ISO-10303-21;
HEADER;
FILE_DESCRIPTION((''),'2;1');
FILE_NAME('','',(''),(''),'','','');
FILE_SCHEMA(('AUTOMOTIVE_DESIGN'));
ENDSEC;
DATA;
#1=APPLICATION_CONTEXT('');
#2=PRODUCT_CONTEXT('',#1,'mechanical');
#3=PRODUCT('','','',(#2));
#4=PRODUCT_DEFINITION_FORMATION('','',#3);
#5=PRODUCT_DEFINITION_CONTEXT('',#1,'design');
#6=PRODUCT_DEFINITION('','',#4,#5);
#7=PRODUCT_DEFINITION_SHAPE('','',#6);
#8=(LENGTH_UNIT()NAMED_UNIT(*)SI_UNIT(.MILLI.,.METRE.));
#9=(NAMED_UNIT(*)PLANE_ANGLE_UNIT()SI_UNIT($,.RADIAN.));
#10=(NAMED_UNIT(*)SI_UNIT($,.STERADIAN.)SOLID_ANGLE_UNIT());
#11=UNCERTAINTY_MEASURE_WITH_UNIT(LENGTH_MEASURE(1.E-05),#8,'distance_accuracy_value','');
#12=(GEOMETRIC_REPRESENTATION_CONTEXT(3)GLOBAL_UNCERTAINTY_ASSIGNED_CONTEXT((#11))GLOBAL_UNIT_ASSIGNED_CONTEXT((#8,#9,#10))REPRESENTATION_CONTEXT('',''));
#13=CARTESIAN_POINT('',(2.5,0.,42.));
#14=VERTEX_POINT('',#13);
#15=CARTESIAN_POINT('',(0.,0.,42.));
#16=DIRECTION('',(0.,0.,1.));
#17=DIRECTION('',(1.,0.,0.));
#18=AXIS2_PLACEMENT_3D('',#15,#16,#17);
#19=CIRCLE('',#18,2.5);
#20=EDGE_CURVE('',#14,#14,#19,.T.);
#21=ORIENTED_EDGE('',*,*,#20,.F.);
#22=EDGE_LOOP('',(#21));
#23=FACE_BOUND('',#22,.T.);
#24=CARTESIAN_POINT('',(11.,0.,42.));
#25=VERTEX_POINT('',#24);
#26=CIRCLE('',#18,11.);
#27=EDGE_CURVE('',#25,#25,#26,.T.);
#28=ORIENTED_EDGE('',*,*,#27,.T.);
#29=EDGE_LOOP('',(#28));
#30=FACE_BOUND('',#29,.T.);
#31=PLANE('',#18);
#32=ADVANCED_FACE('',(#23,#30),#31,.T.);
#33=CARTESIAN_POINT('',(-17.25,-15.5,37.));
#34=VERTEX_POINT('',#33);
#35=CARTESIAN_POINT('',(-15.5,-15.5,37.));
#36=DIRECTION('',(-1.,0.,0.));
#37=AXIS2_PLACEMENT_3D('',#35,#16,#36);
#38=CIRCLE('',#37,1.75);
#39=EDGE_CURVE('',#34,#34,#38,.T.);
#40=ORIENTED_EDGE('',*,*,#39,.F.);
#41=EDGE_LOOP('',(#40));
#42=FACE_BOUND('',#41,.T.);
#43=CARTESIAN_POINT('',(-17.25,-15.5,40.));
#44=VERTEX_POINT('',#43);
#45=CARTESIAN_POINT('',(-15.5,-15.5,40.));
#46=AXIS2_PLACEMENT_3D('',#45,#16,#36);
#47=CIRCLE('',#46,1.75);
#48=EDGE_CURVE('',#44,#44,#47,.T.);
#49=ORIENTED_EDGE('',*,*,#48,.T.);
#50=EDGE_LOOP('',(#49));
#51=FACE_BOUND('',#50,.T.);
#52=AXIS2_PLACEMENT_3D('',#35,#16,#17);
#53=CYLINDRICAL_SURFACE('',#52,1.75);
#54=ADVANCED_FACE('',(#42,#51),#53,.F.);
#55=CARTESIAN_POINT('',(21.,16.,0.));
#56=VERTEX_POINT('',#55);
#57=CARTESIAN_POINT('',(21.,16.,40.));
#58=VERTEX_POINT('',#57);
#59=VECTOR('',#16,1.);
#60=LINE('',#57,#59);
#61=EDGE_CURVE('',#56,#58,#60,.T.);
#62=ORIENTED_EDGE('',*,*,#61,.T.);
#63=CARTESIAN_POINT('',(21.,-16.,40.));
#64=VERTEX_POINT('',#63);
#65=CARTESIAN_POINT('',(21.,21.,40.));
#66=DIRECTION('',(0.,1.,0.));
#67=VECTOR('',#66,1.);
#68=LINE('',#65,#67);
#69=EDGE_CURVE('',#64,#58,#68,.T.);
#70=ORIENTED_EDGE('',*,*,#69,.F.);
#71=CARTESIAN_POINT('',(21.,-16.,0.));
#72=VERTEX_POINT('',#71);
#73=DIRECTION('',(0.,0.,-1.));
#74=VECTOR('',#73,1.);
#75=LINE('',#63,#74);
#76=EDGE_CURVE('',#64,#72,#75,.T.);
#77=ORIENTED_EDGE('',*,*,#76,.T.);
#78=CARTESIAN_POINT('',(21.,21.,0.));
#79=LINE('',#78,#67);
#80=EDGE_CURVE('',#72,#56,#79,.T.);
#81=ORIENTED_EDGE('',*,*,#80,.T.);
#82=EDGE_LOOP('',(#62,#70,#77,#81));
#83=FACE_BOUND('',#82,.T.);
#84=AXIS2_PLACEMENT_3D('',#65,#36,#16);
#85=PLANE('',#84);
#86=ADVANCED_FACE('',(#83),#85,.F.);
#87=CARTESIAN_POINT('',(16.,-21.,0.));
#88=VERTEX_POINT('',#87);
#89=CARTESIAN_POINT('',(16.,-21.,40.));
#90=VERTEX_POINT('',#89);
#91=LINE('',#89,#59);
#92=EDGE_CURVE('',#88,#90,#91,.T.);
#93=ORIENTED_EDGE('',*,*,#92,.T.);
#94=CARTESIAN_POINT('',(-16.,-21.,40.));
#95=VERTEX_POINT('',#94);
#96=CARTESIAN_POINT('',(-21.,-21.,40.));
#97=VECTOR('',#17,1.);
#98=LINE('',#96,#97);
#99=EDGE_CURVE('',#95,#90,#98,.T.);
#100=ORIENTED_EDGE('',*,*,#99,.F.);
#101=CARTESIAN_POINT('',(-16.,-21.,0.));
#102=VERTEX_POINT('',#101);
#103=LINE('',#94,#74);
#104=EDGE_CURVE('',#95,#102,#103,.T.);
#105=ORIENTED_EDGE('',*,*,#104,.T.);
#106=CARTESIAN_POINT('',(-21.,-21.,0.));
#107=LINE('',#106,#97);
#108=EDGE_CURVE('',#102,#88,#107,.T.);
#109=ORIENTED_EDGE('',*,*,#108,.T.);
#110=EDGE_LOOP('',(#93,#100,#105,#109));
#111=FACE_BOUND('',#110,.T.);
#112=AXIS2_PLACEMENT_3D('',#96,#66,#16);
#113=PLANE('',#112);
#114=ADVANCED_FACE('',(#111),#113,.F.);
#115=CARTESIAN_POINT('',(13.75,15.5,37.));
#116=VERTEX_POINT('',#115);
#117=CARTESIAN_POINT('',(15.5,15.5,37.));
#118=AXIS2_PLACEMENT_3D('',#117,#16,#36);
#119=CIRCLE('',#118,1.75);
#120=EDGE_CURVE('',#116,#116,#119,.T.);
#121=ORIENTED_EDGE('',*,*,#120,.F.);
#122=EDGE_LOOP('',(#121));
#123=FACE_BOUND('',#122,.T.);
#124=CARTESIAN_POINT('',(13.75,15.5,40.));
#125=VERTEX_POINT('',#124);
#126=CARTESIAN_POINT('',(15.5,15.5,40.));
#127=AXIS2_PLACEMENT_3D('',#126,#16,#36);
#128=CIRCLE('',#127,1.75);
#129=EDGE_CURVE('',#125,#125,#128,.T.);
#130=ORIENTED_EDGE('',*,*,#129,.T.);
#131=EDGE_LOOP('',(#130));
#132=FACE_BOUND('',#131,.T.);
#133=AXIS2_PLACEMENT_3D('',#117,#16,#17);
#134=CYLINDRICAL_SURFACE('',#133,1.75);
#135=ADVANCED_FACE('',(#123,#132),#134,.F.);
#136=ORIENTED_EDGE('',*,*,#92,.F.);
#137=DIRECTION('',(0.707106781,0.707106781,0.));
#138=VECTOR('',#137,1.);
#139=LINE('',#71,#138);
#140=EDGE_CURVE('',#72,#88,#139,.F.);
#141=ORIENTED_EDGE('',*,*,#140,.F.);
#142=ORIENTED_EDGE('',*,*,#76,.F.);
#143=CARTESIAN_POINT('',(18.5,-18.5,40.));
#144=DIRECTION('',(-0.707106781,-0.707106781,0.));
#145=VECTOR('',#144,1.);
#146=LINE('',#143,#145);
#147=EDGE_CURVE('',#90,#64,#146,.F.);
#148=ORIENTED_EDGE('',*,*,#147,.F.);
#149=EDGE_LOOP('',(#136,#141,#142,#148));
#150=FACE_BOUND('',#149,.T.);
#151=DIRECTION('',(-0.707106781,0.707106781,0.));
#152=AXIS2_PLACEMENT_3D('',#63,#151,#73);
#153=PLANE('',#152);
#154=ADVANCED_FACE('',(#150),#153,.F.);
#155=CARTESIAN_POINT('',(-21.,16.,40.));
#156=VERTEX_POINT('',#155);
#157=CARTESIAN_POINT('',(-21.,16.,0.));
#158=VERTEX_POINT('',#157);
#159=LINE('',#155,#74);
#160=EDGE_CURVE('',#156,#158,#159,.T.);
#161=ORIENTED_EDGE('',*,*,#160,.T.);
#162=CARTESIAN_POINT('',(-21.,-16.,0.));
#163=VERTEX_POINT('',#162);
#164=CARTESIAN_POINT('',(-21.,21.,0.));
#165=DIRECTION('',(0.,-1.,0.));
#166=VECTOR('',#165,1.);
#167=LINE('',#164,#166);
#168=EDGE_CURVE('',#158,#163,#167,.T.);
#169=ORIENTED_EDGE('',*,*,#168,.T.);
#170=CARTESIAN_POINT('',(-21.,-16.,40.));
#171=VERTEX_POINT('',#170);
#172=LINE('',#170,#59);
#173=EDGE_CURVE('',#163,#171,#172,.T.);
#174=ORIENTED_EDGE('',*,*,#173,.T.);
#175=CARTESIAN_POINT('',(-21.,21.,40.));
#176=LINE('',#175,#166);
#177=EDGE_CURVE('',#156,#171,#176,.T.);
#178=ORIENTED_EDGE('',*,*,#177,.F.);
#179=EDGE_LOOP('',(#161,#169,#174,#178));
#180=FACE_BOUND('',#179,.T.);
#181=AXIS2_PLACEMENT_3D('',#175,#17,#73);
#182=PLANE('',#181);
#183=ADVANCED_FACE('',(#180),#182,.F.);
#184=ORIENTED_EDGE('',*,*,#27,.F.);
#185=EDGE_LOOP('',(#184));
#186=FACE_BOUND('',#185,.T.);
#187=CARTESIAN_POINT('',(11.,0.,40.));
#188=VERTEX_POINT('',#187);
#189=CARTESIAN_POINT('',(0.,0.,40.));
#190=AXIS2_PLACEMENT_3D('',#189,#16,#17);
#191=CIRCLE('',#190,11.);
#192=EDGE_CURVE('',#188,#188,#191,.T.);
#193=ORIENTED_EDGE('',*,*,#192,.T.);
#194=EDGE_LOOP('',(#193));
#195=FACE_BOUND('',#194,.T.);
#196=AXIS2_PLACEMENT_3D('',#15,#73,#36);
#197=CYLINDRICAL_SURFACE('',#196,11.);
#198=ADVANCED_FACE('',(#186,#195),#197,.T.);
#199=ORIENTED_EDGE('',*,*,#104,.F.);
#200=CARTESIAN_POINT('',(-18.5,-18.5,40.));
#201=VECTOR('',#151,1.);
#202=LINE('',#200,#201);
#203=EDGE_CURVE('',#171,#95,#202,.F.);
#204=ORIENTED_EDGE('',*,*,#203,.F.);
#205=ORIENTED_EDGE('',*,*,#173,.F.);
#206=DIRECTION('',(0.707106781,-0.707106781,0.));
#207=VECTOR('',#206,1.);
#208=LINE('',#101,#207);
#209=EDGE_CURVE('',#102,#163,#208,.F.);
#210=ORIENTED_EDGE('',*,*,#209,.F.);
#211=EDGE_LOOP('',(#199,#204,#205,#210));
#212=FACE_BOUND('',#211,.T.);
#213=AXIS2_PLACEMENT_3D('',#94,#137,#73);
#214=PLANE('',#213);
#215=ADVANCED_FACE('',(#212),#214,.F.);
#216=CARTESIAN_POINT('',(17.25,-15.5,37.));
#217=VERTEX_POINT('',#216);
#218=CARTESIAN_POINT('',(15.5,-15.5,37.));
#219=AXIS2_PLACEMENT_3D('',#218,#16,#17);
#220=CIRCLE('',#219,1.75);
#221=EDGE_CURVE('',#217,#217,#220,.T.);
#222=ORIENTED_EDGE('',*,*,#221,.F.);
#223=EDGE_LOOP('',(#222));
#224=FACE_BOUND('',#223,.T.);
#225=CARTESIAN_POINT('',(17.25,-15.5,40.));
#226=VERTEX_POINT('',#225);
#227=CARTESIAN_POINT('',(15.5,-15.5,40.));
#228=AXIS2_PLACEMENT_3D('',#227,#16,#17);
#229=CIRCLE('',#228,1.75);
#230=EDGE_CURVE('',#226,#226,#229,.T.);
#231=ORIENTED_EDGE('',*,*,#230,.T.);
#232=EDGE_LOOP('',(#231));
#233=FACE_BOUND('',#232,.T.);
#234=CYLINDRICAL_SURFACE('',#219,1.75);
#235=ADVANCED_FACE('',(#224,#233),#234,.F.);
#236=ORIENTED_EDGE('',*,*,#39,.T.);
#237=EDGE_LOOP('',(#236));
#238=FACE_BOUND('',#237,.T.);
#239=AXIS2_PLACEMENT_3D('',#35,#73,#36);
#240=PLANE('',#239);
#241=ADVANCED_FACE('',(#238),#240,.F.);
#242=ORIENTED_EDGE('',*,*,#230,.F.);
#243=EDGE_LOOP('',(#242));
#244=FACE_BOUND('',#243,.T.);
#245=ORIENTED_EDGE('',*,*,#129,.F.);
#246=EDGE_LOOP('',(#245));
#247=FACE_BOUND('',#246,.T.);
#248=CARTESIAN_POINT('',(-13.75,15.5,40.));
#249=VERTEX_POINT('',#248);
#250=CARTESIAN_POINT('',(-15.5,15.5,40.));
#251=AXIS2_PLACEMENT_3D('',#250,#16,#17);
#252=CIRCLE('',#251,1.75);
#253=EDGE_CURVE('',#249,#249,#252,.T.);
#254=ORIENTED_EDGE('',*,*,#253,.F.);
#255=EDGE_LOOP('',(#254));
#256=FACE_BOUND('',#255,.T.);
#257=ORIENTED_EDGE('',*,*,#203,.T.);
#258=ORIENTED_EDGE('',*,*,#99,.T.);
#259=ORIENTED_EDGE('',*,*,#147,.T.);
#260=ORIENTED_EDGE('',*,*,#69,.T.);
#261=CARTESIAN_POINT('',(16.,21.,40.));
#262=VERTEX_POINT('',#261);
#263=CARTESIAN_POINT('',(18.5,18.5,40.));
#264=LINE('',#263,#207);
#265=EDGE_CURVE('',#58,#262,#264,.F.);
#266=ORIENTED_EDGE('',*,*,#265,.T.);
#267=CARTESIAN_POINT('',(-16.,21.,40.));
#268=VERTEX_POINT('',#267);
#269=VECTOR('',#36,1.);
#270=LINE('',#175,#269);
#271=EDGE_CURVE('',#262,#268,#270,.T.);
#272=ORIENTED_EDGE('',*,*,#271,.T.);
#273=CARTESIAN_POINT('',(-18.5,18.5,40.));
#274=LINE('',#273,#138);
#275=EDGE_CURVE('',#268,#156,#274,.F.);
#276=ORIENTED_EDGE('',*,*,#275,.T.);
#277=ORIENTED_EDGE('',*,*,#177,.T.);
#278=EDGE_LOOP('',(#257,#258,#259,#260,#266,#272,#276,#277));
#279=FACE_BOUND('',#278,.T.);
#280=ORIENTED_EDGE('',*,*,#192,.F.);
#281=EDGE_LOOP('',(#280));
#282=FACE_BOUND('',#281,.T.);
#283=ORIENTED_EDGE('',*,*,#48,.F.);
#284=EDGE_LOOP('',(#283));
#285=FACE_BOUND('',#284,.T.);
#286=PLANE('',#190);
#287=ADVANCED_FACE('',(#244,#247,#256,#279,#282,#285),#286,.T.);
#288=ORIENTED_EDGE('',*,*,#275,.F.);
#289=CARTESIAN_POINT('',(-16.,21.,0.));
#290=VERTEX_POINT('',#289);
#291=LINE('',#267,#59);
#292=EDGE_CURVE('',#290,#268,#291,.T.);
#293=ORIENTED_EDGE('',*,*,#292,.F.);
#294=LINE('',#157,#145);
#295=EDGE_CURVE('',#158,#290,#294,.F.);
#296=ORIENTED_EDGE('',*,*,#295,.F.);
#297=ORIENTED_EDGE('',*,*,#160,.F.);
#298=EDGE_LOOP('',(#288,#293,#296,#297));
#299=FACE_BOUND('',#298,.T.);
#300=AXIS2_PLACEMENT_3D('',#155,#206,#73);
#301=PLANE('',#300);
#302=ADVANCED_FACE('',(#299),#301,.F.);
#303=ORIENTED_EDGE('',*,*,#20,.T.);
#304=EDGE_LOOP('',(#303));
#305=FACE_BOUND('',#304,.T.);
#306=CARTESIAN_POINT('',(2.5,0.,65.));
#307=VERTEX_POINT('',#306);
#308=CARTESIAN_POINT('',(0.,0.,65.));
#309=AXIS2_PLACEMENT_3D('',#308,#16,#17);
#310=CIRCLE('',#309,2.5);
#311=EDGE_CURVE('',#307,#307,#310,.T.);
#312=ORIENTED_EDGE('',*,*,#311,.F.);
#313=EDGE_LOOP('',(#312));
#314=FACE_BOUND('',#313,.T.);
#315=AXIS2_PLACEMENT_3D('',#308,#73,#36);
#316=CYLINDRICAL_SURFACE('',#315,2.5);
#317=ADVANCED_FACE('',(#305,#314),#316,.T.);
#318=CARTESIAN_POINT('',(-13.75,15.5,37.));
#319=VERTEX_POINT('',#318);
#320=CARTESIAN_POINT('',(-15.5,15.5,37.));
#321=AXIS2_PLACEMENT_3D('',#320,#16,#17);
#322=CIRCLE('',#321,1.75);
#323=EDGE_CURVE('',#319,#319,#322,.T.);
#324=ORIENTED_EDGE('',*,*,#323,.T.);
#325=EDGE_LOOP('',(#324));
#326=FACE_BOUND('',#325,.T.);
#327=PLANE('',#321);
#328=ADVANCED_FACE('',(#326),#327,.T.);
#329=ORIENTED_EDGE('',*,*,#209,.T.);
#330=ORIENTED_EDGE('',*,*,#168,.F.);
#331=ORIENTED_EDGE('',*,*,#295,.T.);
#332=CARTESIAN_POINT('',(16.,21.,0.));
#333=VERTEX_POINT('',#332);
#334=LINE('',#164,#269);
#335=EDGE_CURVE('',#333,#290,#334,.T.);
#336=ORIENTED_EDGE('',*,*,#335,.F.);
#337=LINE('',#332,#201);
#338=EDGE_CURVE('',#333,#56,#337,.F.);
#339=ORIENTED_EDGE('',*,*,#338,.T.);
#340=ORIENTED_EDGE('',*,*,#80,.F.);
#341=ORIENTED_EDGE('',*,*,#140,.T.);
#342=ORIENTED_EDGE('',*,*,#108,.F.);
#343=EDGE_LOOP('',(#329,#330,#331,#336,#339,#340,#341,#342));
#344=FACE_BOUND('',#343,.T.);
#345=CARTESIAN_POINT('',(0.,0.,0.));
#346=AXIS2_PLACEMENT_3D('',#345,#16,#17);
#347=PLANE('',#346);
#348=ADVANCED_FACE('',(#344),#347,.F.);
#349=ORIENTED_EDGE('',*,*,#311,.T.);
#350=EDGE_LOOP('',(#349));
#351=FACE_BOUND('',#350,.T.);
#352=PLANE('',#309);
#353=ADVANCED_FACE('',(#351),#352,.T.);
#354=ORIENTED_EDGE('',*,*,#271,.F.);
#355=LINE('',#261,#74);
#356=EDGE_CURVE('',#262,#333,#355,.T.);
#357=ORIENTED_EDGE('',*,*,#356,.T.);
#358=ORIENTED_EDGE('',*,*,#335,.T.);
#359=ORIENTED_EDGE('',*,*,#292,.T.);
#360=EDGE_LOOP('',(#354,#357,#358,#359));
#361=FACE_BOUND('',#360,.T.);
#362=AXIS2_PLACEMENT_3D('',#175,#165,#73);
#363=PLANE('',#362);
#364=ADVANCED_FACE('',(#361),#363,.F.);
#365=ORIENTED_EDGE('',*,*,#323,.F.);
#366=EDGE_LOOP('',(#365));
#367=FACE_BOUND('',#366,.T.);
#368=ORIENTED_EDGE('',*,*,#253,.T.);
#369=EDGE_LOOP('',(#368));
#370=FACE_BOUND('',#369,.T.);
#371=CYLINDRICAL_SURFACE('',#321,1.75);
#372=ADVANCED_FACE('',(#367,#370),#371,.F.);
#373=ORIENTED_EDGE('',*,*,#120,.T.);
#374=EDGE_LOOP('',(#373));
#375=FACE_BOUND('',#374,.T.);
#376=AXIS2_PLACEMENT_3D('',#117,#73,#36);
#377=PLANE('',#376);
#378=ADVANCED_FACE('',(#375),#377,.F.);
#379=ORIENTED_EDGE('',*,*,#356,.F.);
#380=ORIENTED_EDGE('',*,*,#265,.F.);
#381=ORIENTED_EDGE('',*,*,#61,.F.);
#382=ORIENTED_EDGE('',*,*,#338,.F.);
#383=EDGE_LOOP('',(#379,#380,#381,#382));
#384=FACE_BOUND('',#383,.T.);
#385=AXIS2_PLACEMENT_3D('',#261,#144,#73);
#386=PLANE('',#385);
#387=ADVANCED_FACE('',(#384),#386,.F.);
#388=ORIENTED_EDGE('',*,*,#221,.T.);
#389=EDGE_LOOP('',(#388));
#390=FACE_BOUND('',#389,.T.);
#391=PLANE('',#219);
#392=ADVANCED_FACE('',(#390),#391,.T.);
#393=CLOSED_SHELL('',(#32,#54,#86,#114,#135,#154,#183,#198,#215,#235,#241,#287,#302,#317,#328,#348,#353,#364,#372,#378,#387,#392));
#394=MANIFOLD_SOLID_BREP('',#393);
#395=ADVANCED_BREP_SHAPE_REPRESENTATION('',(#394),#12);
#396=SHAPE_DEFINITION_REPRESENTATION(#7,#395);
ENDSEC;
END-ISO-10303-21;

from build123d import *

# Parameters (mm, degrees)
SKETCH_1_W          = 42
SKETCH_1_H          = 42
EXTRUDE_1_DEPTH     = 40
CHAMFER_1_SIZE      = 5
SKETCH_2_R          = 11
EXTRUDE_2_DEPTH     = 2
SKETCH_3_R          = 2.5
EXTRUDE_3_DEPTH     = 23
SKETCH_4_R          = 1.75
CUT_EXTRUDE_1_DEPTH = 3


with BuildPart() as part:
    # 草圖1 → 填料-伸長1 (new body)
    with BuildSketch(Plane.XY):
        Rectangle(SKETCH_1_W, SKETCH_1_H)
    extrude(amount=EXTRUDE_1_DEPTH)

    # 導角1
    chamfer_1_edges = [part.edges().sort_by_distance(p)[0] for p in [
        (-21, 21, 20),
        (21, 21, 20),
        (21, -21, 20),
        (-21, -21, 20),
    ]]
    chamfer(chamfer_1_edges, length=CHAMFER_1_SIZE)

    # 草圖2 → 填料-伸長2 (add)
    with BuildSketch(Plane.XY.offset(40)):
        Circle(SKETCH_2_R)
    extrude(amount=EXTRUDE_2_DEPTH)

    # 草圖3 → 填料-伸長3 (add)
    with BuildSketch(Plane.XY.offset(42)):
        Circle(SKETCH_3_R)
    extrude(amount=EXTRUDE_3_DEPTH)

    # 草圖4 → 除料-伸長1 (cut)
    with BuildSketch(Plane.XY.offset(40)):
        with Locations((-15.5, 15.5)):
            Circle(SKETCH_4_R)
        with Locations(Location((-15.5, -15.5, 0), (0, 0, 180))):
            Circle(SKETCH_4_R)
        with Locations((15.5, -15.5)):
            Circle(SKETCH_4_R)
        with Locations(Location((15.5, 15.5, 0), (0, 0, 180))):
            Circle(SKETCH_4_R)
    extrude(amount=-CUT_EXTRUDE_1_DEPTH, mode=Mode.SUBTRACT)


solid = part.part
